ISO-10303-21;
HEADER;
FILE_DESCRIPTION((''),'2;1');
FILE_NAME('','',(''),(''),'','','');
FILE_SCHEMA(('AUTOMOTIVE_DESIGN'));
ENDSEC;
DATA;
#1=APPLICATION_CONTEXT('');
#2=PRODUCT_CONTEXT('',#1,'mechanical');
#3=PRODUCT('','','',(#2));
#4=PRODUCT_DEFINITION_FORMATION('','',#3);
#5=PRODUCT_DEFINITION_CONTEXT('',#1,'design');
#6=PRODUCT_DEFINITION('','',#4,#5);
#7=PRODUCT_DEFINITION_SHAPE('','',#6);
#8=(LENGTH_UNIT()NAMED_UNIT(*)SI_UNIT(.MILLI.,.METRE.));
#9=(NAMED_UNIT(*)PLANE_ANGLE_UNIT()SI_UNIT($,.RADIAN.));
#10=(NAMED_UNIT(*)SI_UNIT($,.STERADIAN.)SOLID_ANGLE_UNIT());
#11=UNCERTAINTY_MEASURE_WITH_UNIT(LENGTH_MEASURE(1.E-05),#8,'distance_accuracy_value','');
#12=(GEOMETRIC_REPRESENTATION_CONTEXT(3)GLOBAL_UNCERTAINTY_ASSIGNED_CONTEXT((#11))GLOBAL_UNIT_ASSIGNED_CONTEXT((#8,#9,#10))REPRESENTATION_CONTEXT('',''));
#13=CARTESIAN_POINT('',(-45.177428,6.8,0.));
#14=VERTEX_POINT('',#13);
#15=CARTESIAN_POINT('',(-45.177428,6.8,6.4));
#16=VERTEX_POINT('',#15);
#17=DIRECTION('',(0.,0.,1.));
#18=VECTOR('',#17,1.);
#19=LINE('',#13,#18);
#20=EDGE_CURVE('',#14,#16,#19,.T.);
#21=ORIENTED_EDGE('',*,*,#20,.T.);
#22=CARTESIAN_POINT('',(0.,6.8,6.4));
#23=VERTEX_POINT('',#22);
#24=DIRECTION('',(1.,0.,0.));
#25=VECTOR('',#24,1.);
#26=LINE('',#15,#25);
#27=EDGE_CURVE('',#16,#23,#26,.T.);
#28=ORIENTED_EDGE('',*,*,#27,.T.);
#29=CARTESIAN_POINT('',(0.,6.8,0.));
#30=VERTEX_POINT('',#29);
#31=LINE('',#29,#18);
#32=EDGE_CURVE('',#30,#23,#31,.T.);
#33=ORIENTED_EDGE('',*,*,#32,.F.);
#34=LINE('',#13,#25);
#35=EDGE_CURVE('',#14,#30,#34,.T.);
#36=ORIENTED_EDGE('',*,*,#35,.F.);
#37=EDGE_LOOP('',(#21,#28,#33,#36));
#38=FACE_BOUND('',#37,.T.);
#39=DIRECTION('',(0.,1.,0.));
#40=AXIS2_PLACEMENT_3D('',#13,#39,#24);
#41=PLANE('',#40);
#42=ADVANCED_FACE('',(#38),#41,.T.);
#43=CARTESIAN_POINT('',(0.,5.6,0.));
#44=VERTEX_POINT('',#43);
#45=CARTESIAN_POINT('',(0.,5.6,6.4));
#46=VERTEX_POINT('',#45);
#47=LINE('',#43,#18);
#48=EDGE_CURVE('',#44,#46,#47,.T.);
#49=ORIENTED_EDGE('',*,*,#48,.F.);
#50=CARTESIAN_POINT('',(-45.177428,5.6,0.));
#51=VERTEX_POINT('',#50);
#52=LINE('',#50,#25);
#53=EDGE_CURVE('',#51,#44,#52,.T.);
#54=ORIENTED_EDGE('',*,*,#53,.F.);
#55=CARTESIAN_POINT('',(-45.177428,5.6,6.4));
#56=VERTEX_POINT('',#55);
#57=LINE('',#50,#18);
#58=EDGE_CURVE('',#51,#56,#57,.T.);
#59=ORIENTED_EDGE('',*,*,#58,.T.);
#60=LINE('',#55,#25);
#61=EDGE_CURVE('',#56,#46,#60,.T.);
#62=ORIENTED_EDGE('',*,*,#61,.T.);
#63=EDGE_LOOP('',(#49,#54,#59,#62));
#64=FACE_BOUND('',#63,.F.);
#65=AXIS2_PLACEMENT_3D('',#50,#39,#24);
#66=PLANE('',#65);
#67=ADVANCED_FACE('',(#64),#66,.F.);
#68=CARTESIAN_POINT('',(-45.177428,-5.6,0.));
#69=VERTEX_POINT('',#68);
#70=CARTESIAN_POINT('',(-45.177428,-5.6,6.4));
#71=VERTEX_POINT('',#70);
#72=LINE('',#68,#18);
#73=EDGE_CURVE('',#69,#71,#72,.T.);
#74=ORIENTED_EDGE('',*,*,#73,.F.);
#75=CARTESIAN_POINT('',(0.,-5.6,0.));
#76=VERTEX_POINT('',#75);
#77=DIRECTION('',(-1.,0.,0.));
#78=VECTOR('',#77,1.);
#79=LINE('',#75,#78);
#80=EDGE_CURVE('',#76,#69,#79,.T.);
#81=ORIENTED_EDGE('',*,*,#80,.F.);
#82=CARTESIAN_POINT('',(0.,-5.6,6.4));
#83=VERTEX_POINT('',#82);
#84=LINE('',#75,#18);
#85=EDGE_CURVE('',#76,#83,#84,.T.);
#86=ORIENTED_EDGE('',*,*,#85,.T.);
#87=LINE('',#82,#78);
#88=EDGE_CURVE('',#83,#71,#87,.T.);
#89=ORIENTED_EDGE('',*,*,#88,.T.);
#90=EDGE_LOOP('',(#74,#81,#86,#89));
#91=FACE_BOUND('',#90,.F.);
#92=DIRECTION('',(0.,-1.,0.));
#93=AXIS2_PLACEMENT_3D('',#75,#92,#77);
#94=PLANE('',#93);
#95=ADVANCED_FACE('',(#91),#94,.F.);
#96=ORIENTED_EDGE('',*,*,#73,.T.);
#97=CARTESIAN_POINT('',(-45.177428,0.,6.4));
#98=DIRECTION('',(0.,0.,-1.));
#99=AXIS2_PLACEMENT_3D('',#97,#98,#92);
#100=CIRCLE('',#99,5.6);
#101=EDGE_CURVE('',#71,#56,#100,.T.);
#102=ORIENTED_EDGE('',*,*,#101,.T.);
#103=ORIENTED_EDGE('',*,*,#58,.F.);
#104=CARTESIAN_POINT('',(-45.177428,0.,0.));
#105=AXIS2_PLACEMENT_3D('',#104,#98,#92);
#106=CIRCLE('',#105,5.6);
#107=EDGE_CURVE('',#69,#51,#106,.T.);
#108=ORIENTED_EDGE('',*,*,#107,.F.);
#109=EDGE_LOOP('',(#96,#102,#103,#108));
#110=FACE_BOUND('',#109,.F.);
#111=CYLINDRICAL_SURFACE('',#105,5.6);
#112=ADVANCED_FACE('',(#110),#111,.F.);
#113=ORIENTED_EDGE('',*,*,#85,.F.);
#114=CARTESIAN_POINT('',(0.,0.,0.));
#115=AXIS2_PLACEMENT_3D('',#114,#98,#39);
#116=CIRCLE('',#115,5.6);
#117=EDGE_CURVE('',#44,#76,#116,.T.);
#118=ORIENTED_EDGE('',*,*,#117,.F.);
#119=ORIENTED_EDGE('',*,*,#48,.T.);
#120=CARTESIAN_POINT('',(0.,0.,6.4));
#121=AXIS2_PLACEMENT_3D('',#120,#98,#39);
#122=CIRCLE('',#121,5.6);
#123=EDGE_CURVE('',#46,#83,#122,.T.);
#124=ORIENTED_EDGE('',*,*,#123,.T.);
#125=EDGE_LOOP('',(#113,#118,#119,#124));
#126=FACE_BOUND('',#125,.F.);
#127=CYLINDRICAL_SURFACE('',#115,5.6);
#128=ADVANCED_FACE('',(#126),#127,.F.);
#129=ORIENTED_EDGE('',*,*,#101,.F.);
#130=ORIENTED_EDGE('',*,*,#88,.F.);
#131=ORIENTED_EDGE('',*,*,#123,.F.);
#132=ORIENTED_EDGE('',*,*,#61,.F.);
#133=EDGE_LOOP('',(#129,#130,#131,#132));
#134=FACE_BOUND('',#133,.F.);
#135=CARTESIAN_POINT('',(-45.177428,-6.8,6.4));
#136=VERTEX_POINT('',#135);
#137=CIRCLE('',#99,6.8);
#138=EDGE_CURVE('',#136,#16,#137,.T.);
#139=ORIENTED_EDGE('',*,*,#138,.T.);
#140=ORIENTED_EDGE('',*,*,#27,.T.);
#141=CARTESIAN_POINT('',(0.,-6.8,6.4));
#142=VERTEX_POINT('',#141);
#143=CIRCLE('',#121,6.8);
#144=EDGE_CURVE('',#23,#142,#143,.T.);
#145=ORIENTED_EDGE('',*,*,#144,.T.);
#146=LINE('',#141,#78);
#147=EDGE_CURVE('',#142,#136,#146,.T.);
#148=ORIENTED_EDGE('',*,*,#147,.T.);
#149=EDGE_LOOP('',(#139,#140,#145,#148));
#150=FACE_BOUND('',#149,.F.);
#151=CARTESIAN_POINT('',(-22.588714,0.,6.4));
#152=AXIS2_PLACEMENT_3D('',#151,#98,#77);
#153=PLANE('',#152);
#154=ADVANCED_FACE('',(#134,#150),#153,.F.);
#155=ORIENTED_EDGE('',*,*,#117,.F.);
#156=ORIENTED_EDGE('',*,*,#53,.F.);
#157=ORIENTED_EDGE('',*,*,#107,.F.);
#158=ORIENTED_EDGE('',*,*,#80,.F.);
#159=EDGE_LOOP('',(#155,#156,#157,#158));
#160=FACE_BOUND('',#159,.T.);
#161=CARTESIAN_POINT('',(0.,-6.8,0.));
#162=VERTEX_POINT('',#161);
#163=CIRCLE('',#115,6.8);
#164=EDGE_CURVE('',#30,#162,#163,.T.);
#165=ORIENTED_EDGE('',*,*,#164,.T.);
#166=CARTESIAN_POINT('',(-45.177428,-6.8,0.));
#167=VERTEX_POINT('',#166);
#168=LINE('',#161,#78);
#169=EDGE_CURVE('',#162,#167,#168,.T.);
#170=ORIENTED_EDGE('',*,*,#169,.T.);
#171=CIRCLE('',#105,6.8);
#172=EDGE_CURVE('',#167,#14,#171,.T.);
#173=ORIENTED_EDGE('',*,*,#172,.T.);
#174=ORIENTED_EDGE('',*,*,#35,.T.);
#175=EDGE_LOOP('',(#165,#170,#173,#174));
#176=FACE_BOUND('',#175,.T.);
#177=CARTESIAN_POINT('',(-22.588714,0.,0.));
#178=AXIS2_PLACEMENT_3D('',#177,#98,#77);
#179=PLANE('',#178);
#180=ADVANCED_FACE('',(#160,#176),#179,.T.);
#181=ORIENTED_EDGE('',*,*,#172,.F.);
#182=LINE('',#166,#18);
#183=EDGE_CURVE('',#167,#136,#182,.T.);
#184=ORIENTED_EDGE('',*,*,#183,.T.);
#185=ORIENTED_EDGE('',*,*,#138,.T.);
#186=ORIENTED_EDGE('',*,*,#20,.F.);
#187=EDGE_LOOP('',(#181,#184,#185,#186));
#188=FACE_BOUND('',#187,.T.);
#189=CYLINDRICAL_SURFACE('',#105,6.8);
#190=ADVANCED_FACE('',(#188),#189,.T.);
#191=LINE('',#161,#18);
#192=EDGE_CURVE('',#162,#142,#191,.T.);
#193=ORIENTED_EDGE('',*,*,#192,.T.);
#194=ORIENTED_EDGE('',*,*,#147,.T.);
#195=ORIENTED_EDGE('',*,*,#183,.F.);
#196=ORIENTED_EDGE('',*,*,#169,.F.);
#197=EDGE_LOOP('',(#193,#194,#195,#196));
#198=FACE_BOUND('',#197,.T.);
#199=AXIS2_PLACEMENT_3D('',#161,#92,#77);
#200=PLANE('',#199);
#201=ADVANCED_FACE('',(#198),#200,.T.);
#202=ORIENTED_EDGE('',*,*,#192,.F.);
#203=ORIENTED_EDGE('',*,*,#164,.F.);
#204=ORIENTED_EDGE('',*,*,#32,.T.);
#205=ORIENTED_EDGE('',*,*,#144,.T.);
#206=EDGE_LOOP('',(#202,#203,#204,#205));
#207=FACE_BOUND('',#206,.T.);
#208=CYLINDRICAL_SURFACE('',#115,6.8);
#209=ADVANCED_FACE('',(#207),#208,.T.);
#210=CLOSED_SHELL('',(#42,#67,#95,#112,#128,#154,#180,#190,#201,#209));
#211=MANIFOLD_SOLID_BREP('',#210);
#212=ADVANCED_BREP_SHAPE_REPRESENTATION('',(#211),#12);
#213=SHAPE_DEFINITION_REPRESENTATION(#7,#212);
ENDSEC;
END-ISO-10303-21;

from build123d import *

# Parameters (mm, degrees)
ESTRUSIONE_ESTRUSIONE2_DEPTH = 6.4


with BuildPart() as part:
    # Schizzo1 (on Front Plane) → Estrusione-Estrusione2 (new body)
    with BuildSketch(Plane.XY):
        with BuildLine():
            Line((0, -6.8), (-45.177427992, -6.8))
            ThreePointArc((-45.177427992, -6.8), (-51.977427992, 0), (-45.177427992, 6.8))
            Line((-45.177427992, 6.8), (0, 6.8))
            ThreePointArc((0, 6.8), (6.8, 0), (0, -6.8))
        make_face()
        with BuildLine():
            Line((0, -5.6), (-45.177427992, -5.6))
            ThreePointArc((-45.177427992, -5.6), (-50.777427992, 0), (-45.177427992, 5.6))
            Line((-45.177427992, 5.6), (0, 5.6))
            ThreePointArc((0, 5.6), (5.6, 0), (0, -5.6))
        make_face(mode=Mode.SUBTRACT)
    extrude(amount=ESTRUSIONE_ESTRUSIONE2_DEPTH)


solid = part.part
